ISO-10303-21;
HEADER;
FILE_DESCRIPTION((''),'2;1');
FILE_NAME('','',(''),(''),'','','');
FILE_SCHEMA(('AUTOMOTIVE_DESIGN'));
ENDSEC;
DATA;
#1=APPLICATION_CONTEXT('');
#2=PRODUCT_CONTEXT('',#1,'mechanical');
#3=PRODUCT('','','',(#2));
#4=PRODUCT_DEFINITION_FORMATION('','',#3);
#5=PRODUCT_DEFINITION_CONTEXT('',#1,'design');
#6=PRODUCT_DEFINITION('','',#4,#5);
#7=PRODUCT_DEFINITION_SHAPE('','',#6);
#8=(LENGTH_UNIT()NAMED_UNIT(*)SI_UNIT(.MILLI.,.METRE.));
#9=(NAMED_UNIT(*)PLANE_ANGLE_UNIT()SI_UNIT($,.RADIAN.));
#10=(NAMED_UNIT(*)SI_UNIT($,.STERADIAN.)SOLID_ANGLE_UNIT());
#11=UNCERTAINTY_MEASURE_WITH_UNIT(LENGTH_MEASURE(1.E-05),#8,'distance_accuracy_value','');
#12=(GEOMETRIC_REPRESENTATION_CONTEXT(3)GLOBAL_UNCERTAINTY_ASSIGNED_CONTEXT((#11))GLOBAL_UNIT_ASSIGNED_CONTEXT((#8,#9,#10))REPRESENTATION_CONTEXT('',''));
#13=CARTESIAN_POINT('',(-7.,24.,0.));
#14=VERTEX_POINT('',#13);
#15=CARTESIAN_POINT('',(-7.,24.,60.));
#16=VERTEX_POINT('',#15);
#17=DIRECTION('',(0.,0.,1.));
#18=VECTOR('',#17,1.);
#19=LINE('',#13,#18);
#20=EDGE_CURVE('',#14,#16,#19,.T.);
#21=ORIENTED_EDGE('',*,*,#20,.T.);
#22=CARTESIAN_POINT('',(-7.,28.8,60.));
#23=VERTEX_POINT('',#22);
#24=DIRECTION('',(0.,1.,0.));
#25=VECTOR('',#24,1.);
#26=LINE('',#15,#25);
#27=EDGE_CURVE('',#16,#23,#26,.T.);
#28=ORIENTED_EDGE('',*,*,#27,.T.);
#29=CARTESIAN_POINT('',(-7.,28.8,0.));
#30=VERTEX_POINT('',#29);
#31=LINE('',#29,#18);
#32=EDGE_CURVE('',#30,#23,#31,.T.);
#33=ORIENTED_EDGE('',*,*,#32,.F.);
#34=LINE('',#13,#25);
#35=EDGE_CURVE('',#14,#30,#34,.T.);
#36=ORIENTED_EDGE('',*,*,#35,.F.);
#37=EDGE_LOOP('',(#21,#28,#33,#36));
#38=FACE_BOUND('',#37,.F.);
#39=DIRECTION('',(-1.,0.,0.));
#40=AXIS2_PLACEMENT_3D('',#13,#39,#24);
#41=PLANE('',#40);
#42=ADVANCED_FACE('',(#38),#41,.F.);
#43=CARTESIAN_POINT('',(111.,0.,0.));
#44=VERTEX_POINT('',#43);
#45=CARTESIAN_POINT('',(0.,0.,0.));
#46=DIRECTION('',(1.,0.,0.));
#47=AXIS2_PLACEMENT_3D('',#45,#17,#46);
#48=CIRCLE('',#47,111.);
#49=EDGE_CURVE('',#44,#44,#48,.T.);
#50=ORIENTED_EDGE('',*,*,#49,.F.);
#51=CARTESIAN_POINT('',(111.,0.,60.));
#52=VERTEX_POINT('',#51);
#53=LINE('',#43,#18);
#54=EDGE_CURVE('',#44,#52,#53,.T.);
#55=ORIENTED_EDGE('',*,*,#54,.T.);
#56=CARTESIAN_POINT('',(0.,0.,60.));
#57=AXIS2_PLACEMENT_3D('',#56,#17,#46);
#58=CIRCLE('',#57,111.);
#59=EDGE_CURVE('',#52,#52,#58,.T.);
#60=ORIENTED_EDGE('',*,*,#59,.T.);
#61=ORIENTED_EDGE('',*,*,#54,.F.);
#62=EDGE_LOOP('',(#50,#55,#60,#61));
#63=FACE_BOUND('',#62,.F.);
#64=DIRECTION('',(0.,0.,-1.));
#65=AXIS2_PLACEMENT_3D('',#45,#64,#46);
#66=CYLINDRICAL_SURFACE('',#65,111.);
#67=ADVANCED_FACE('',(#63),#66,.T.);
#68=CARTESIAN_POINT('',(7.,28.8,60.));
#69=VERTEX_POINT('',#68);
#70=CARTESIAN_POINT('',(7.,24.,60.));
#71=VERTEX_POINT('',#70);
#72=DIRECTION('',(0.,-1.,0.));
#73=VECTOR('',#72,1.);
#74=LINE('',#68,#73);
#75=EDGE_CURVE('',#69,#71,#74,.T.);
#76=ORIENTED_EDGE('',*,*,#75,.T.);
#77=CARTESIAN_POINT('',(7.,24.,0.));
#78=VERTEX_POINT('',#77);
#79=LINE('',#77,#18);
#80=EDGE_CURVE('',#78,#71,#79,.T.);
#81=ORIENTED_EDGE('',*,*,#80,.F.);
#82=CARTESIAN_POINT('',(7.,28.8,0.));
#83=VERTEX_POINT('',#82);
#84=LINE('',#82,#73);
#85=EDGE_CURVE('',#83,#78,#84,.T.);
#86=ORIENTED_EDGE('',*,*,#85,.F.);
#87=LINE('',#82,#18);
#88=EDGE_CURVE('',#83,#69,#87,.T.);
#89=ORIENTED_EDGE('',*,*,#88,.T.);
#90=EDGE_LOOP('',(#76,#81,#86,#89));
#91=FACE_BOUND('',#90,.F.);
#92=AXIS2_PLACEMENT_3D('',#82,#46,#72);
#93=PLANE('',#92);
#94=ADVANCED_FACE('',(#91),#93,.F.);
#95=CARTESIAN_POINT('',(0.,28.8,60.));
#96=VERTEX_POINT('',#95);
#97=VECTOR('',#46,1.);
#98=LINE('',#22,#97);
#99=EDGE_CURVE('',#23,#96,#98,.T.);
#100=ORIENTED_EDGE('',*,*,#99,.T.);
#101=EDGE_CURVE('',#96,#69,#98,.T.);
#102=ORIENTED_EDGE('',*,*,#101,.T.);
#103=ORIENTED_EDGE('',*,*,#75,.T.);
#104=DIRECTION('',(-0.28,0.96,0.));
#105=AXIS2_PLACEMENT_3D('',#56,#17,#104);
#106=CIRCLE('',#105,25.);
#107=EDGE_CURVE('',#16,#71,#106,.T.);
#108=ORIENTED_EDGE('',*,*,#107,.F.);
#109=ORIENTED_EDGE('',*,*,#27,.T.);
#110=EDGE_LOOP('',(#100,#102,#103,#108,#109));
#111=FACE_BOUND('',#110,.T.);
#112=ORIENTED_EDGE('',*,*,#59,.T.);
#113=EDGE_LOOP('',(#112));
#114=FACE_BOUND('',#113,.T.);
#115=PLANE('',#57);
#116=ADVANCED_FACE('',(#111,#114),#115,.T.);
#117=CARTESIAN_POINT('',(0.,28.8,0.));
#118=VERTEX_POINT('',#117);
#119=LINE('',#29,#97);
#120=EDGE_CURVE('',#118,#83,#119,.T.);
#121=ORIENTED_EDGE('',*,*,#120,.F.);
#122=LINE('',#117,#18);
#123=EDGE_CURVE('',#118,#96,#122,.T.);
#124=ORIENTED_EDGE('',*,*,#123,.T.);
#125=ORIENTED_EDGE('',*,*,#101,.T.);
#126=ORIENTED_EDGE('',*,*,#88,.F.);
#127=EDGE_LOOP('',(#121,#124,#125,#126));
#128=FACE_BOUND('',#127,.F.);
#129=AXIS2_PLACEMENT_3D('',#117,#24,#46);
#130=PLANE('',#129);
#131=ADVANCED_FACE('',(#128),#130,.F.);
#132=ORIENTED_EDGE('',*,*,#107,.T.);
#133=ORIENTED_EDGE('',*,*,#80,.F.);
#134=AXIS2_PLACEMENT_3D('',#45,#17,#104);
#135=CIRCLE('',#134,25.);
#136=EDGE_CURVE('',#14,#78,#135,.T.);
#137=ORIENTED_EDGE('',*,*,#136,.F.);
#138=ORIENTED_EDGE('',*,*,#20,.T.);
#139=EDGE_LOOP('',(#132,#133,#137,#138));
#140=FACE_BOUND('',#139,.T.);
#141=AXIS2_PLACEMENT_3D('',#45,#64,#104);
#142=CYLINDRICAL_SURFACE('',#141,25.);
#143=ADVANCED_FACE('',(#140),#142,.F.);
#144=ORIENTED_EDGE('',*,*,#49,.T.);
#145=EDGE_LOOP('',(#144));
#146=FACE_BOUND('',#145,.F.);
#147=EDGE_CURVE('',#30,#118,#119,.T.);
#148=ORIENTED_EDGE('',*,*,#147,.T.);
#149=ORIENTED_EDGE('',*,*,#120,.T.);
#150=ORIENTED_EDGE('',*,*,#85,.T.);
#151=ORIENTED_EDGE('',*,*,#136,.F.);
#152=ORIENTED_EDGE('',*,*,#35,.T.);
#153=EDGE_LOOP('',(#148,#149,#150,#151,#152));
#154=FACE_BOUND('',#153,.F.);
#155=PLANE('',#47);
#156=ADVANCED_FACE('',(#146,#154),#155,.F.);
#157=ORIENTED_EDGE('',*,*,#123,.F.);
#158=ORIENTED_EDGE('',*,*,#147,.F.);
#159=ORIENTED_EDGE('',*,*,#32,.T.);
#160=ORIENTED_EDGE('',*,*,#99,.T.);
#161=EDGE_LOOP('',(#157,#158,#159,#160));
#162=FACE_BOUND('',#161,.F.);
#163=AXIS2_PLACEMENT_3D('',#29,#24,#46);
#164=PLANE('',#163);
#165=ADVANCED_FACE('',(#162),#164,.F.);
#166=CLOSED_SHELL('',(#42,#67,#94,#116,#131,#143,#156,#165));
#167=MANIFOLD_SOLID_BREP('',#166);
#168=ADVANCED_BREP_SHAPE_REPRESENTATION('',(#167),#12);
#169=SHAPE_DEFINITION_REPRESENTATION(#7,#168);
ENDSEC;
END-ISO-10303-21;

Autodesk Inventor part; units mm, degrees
sketch "スケッチ1" plane through (0, 0, 0) normal (0, 0, 1) x (1, 0, 0)
  circle A0 centre (0, 0) radius 111
  arc A1 (-7, 24) -> (7, 24) centre (0, 0) ccw
  line L0 (0, 25) -> (0, 28.8)
  line L1 (0, 28.8) -> (0, 20)
  line L2 (0, 20) -> (-7, 20)
  line L3 (-7, 24) -> (-7, 28.8)
  line L4 (-7, 28.8) -> (7, 28.8)
  line L5 (7, 28.8) -> (7, 24)
  line L6 (7, 20) -> (0, 20)
  dimension "d0" = 222
  dimension "d1" = 50
  dimension "d2" = 3.8
  dimension "d3" = 8.8
  dimension "d4" = 7
  dimension "d5" = 14
extrude "押し出し1" add sketch "スケッチ1" along normal blind 60
properties part number "gear4"
